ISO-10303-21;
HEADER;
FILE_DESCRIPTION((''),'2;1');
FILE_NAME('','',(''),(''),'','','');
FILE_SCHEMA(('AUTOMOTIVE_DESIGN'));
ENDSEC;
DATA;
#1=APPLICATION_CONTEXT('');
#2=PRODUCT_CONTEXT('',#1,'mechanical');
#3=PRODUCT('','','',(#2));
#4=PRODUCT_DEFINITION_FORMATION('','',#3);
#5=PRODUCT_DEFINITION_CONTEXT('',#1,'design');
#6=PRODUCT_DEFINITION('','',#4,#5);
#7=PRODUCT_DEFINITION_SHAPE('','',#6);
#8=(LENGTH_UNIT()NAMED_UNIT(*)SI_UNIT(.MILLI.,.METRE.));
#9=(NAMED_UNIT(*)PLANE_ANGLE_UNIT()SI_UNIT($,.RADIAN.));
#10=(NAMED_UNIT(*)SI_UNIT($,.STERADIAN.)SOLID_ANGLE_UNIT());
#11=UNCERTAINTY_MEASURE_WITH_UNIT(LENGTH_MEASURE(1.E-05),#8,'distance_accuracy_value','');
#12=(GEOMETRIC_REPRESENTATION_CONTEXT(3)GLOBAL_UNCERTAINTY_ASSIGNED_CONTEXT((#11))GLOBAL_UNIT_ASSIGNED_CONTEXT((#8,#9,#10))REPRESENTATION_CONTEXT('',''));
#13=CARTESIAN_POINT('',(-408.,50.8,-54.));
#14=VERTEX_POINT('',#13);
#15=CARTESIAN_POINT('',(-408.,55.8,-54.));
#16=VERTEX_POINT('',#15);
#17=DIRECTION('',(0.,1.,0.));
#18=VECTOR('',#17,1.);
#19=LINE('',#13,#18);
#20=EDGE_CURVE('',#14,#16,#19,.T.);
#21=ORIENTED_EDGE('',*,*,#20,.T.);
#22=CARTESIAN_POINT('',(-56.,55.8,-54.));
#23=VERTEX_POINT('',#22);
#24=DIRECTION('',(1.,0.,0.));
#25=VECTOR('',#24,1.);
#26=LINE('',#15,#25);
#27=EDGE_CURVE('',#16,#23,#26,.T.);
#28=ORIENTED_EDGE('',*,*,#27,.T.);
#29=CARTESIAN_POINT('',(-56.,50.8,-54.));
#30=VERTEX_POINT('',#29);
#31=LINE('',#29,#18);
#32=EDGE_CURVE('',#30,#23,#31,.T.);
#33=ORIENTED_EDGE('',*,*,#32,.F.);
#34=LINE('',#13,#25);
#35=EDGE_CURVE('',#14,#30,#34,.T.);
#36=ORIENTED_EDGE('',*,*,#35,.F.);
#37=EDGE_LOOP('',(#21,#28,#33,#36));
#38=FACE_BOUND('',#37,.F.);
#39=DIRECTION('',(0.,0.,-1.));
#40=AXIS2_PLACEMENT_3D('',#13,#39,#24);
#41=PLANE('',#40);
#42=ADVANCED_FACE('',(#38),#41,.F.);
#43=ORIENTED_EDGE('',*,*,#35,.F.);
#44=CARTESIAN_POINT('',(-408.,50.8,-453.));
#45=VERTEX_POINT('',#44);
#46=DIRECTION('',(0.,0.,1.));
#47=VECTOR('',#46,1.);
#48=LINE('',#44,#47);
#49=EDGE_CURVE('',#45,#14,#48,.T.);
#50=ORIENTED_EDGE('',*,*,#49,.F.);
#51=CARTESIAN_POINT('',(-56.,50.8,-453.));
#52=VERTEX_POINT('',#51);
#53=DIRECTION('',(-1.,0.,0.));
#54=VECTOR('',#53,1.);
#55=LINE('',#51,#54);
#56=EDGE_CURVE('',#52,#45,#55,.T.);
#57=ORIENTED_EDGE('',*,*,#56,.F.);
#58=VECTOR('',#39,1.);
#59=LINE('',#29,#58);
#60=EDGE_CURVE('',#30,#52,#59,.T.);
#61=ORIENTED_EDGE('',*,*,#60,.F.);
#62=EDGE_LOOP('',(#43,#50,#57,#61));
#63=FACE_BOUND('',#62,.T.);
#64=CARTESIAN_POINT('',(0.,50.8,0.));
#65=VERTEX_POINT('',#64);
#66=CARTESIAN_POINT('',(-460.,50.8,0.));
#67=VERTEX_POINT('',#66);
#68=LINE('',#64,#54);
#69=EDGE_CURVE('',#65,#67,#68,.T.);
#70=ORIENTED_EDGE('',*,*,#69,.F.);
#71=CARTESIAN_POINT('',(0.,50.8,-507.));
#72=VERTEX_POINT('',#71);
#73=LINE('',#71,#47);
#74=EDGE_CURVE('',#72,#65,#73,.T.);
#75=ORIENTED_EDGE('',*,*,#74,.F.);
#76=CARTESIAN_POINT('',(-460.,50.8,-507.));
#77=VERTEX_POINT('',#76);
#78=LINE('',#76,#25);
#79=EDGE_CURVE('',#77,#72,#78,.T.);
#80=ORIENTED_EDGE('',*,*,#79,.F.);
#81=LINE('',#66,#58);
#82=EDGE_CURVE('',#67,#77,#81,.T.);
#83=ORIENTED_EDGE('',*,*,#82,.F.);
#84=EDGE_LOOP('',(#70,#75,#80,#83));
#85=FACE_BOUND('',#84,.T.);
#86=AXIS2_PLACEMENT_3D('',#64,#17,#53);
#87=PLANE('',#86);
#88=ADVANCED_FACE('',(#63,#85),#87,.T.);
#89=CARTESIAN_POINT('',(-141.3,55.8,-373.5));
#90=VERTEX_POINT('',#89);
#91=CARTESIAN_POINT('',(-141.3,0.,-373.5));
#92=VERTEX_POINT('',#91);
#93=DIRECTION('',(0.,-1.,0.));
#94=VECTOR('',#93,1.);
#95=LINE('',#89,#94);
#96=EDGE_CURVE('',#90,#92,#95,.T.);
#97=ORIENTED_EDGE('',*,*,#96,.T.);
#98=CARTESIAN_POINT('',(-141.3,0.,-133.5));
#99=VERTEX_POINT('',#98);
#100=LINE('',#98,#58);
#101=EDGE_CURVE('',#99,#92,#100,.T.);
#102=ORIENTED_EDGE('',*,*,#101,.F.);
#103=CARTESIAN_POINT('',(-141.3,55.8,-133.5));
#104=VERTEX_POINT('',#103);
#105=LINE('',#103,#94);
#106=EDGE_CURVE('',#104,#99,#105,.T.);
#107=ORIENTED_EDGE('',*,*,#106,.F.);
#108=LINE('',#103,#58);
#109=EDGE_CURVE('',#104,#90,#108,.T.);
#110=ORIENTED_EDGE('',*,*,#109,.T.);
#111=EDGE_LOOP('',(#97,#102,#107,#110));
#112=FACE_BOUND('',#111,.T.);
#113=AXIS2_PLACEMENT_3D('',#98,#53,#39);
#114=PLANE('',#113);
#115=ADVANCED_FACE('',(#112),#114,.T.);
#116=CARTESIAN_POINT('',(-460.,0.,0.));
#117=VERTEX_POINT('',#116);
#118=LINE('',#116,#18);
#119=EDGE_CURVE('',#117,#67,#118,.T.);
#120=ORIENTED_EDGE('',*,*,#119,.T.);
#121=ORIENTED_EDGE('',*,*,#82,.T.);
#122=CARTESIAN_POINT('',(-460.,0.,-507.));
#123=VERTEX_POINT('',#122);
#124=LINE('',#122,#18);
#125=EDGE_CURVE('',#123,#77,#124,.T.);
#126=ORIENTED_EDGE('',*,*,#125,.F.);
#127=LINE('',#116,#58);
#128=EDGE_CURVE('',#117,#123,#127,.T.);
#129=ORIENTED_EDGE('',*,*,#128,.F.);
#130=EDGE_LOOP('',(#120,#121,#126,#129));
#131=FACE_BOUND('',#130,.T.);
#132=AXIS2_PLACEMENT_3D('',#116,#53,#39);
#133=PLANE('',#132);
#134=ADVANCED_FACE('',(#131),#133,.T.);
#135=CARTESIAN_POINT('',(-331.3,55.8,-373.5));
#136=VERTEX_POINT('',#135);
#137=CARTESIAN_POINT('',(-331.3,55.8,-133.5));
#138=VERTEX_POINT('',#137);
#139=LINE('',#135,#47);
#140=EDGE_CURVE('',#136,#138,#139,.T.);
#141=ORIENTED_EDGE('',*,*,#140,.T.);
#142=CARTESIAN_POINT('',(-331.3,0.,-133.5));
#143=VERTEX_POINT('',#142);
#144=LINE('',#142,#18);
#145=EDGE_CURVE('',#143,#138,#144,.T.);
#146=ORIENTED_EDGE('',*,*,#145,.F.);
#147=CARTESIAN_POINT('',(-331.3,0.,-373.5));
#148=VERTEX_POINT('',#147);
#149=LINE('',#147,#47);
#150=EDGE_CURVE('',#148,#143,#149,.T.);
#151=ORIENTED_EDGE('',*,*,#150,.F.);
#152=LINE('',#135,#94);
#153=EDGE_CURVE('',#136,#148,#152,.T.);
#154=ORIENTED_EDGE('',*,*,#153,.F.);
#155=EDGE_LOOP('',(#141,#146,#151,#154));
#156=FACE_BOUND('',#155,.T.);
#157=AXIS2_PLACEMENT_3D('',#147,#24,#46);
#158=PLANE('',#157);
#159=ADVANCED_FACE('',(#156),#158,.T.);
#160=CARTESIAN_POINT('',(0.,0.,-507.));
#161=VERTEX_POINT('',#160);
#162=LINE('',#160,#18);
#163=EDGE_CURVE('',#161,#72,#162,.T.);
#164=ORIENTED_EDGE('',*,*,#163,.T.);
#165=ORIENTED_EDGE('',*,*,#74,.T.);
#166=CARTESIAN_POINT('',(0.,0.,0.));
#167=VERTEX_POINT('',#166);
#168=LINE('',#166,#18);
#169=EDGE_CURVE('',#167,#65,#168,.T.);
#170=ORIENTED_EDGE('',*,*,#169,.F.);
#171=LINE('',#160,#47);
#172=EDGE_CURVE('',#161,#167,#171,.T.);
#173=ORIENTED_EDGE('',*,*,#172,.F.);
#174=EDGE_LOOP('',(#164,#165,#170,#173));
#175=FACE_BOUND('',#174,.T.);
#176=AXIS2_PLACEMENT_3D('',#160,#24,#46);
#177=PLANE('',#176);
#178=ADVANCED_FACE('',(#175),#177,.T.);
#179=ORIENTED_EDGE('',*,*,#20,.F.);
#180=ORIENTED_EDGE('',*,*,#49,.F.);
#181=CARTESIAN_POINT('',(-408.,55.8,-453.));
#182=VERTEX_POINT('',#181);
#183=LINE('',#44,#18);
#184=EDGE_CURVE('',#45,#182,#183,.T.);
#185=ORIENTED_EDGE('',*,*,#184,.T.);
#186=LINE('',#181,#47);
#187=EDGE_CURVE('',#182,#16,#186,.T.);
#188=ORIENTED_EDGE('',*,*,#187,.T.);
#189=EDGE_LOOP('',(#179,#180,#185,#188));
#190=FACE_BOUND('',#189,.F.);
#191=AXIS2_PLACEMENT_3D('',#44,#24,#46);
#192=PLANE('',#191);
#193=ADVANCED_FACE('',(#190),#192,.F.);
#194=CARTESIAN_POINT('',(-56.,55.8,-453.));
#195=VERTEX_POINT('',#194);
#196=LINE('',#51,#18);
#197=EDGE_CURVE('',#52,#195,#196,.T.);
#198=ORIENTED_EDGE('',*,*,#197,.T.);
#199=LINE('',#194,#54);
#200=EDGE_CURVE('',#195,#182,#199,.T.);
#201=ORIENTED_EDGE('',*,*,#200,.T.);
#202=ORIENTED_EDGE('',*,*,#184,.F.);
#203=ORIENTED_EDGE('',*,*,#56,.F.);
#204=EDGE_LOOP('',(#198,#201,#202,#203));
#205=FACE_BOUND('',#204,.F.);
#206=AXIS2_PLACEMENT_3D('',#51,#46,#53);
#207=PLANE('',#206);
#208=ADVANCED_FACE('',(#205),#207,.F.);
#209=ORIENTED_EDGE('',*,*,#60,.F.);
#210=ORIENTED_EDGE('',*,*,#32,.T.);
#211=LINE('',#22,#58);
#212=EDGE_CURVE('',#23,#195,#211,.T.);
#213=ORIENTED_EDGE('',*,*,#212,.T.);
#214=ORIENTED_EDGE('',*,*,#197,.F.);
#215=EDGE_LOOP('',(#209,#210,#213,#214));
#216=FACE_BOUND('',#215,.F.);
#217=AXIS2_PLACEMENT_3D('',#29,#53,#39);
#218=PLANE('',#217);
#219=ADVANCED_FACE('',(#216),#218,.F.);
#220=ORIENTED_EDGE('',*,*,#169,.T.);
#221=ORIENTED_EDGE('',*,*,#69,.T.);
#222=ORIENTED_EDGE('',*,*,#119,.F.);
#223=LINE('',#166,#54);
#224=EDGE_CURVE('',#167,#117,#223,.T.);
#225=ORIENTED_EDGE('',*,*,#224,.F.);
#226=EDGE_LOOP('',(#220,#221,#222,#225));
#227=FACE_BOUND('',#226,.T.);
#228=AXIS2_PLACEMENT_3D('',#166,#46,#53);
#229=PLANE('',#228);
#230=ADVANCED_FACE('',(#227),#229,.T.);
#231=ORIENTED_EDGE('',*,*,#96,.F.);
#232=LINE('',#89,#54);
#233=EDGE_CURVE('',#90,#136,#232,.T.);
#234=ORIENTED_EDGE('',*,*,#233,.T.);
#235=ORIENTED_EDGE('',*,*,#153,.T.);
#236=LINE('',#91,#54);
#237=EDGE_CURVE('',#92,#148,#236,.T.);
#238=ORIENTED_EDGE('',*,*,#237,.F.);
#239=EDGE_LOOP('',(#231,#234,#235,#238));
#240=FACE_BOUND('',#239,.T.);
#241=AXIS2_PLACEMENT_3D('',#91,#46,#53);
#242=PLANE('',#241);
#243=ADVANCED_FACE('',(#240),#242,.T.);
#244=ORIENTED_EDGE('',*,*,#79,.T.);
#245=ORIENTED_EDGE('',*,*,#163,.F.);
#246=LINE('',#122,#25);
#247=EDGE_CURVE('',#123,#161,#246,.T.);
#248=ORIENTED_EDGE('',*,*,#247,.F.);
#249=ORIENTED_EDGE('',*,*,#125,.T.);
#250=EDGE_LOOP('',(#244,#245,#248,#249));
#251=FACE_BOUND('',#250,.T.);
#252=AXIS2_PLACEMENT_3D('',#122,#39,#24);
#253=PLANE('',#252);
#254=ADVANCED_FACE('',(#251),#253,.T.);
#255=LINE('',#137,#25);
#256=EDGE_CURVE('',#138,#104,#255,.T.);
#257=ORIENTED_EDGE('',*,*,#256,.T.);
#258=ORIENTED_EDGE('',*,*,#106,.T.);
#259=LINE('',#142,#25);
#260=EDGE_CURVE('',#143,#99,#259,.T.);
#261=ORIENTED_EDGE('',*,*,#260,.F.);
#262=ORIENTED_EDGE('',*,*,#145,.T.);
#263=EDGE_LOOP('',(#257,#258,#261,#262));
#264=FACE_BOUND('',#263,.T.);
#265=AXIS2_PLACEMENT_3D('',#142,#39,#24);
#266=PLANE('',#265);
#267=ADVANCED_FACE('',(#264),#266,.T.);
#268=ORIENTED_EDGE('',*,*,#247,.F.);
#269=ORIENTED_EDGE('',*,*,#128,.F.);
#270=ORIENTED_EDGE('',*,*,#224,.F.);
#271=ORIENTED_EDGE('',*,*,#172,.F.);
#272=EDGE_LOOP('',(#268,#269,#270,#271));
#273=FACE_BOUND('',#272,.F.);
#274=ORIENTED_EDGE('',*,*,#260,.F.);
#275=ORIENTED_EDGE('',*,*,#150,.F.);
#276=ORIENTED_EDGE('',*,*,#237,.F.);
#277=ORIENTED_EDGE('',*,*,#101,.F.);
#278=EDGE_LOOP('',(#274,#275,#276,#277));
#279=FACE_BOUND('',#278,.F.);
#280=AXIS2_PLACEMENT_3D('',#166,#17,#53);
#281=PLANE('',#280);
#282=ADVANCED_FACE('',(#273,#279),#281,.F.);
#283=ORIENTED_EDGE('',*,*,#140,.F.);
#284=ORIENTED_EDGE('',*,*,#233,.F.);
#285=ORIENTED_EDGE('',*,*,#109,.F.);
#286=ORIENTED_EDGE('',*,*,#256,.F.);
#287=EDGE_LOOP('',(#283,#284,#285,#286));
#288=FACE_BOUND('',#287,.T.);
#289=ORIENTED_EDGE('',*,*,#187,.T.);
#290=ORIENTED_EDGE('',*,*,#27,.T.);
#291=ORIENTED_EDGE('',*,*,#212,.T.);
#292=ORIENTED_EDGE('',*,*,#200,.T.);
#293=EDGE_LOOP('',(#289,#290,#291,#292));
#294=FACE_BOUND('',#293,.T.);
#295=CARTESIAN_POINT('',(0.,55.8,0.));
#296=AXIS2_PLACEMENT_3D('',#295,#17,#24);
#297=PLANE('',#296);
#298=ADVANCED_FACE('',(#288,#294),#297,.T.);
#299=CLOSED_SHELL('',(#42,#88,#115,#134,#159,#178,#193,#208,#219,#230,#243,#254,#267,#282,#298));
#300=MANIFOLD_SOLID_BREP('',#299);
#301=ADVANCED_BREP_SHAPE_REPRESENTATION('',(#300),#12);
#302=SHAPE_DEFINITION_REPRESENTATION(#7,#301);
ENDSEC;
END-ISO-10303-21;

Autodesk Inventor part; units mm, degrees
ref_plane "YZ Plane" through (0, 0, 0) normal (1, 0, 0) x (0, 1, 0)
ref_plane "XZ Plane" through (0, 0, 0) normal (0, 1, 0) x (-1, 0, 0)
ref_plane "XY Plane" through (0, 0, 0) normal (0, 0, 1) x (1, 0, 0)
sketch "Sketch1" plane through (0, 0, 0) normal (0, 1, 0) x (-1, 0, 0)
  line L0 (0, 0) -> (460, 0)
  line L1 (460, 0) -> (460, -507)
  line L2 (460, -507) -> (0, -507)
  line L3 (0, -507) -> (0, 0)
  line L4 (331.3, -133.5) -> (141.3, -133.5)
  line L5 (141.3, -133.5) -> (141.3, -373.5)
  line L6 (141.3, -373.5) -> (331.3, -373.5)
  line L7 (331.3, -373.5) -> (331.3, -133.5)
  dimension "d0" = 460
  dimension "d1" = 507
  dimension "d2" = 190
  dimension "d3" = 240
  dimension "d4" = 133.5
  dimension "d5" = 141.3
extrude "Extrusion1" add sketch "Sketch1" along normal blind 50.8
sketch "Sketch5" plane through (0, 50.8, 0) normal (0, 1, 0) x (1, 0, 0)
  line L0 (-408, 54) -> (-56, 54)
  line L1 (-56, 54) -> (-56, 453)
  line L2 (-56, 453) -> (-408, 453)
  line L3 (-408, 453) -> (-408, 54)
  line L4 (-460, 0) -> (0, 0) projected
  line L5 (-460, 507) -> (-460, 0) projected
  line L6 (-331.3, 133.5) -> (-141.3, 133.5) projected
  line L7 (-141.3, 373.5) -> (-331.3, 373.5) projected
  line L8 (-331.3, 133.5) -> (-141.3, 133.5)
  line L9 (-141.3, 133.5) -> (-141.3, 373.5)
  line L10 (-141.3, 373.5) -> (-331.3, 373.5)
  line L11 (-331.3, 373.5) -> (-331.3, 133.5)
  dimension "d14" = 352
  dimension "d15" = 399
  dimension "d16" = 54
  dimension "d17" = 52
extrude "Extrusion2" add sketch "Sketch5" along normal blind 5
properties part number "TapaFrontal"
